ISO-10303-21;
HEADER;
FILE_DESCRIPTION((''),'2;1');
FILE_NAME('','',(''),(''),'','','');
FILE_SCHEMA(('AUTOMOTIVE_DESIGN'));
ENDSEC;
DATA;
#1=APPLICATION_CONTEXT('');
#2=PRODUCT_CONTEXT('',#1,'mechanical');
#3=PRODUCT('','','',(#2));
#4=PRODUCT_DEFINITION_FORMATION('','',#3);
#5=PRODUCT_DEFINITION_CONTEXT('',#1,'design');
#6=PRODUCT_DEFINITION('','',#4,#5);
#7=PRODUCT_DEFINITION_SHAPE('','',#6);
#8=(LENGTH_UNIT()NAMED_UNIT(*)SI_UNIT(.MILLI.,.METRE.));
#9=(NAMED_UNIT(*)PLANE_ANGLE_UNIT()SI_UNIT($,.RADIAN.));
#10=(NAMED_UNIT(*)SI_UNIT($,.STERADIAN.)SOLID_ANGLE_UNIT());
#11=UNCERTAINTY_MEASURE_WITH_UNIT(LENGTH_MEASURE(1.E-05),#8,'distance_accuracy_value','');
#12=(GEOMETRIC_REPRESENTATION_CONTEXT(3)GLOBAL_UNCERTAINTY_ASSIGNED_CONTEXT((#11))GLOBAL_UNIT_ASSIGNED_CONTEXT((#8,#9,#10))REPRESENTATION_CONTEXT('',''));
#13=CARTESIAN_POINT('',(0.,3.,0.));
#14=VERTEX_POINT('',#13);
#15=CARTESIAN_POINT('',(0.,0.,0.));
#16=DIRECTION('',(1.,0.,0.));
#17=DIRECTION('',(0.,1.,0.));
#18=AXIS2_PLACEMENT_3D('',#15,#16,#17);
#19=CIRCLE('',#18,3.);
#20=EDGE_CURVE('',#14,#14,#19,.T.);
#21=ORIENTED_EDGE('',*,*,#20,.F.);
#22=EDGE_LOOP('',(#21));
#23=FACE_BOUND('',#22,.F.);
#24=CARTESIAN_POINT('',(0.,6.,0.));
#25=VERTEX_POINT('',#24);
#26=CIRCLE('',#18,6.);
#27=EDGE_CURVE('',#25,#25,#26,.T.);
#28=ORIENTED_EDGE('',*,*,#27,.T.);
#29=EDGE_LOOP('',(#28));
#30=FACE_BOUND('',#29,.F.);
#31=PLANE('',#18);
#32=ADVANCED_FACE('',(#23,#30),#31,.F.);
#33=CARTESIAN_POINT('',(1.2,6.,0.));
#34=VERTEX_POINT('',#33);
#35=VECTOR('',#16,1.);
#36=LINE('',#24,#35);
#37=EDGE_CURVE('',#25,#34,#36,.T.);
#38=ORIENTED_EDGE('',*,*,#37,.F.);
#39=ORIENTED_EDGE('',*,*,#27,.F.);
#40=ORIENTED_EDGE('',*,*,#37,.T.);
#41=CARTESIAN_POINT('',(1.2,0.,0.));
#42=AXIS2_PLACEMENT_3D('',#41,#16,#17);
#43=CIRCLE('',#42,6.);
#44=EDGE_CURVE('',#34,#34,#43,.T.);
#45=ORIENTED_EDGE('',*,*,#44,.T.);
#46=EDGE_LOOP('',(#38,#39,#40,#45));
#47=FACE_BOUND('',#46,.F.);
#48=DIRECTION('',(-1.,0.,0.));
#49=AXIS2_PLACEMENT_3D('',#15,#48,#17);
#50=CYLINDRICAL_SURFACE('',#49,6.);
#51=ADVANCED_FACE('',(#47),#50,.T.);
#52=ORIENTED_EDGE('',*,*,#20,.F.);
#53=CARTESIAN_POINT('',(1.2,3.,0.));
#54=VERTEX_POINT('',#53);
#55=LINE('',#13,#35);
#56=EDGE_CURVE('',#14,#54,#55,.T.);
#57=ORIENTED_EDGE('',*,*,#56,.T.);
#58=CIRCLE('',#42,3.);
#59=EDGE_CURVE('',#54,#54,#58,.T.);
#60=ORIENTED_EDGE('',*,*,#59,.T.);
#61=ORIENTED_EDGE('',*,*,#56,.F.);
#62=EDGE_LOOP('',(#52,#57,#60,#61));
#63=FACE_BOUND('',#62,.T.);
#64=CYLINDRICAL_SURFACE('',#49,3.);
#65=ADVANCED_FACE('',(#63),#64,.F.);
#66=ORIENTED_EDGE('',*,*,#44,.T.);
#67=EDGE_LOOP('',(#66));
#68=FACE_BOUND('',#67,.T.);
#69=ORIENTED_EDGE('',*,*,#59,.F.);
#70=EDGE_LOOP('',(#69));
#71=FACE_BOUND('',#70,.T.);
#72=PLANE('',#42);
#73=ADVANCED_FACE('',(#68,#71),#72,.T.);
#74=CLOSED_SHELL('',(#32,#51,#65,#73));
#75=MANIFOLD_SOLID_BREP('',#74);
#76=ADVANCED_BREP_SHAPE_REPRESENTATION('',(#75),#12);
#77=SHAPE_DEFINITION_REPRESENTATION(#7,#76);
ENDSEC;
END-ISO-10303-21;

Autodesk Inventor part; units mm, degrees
ref_plane "YZ Plane" through (0, 0, 0) normal (1, 0, 0) x (0, 1, 0)
ref_plane "XZ Plane" through (0, 0, 0) normal (0, 1, 0) x (-1, 0, 0)
sketch "Szkic" plane through (0, 0, 0) normal (1, 0, 0) x (0, 1, 0)
  circle A0 centre (0, 0) radius 6
  circle A1 centre (0, 0) radius 3
  dimension "d0" = 6
  dimension "d1" = 12
extrude "Bryła" add sketch "Szkic" along normal blind 1.2
ref_plane "Work Plane1" through (0, 0, 0) normal (0, 0, 1) x (1, 0, 0)
equation "\"d0\" = SD1"
equation "\"d1\" = SD2"
equation "\"d2\" = SD"
equation "\"SD1\" = 6"
equation "\"SD2\" = 12"
equation "\"SD\" = 1.2"
equation "\"NND\" = 6"
equation "\"NND2\" = 12"
properties part number "DIN 988 - S6 x 12" material "Stal, miękka"
